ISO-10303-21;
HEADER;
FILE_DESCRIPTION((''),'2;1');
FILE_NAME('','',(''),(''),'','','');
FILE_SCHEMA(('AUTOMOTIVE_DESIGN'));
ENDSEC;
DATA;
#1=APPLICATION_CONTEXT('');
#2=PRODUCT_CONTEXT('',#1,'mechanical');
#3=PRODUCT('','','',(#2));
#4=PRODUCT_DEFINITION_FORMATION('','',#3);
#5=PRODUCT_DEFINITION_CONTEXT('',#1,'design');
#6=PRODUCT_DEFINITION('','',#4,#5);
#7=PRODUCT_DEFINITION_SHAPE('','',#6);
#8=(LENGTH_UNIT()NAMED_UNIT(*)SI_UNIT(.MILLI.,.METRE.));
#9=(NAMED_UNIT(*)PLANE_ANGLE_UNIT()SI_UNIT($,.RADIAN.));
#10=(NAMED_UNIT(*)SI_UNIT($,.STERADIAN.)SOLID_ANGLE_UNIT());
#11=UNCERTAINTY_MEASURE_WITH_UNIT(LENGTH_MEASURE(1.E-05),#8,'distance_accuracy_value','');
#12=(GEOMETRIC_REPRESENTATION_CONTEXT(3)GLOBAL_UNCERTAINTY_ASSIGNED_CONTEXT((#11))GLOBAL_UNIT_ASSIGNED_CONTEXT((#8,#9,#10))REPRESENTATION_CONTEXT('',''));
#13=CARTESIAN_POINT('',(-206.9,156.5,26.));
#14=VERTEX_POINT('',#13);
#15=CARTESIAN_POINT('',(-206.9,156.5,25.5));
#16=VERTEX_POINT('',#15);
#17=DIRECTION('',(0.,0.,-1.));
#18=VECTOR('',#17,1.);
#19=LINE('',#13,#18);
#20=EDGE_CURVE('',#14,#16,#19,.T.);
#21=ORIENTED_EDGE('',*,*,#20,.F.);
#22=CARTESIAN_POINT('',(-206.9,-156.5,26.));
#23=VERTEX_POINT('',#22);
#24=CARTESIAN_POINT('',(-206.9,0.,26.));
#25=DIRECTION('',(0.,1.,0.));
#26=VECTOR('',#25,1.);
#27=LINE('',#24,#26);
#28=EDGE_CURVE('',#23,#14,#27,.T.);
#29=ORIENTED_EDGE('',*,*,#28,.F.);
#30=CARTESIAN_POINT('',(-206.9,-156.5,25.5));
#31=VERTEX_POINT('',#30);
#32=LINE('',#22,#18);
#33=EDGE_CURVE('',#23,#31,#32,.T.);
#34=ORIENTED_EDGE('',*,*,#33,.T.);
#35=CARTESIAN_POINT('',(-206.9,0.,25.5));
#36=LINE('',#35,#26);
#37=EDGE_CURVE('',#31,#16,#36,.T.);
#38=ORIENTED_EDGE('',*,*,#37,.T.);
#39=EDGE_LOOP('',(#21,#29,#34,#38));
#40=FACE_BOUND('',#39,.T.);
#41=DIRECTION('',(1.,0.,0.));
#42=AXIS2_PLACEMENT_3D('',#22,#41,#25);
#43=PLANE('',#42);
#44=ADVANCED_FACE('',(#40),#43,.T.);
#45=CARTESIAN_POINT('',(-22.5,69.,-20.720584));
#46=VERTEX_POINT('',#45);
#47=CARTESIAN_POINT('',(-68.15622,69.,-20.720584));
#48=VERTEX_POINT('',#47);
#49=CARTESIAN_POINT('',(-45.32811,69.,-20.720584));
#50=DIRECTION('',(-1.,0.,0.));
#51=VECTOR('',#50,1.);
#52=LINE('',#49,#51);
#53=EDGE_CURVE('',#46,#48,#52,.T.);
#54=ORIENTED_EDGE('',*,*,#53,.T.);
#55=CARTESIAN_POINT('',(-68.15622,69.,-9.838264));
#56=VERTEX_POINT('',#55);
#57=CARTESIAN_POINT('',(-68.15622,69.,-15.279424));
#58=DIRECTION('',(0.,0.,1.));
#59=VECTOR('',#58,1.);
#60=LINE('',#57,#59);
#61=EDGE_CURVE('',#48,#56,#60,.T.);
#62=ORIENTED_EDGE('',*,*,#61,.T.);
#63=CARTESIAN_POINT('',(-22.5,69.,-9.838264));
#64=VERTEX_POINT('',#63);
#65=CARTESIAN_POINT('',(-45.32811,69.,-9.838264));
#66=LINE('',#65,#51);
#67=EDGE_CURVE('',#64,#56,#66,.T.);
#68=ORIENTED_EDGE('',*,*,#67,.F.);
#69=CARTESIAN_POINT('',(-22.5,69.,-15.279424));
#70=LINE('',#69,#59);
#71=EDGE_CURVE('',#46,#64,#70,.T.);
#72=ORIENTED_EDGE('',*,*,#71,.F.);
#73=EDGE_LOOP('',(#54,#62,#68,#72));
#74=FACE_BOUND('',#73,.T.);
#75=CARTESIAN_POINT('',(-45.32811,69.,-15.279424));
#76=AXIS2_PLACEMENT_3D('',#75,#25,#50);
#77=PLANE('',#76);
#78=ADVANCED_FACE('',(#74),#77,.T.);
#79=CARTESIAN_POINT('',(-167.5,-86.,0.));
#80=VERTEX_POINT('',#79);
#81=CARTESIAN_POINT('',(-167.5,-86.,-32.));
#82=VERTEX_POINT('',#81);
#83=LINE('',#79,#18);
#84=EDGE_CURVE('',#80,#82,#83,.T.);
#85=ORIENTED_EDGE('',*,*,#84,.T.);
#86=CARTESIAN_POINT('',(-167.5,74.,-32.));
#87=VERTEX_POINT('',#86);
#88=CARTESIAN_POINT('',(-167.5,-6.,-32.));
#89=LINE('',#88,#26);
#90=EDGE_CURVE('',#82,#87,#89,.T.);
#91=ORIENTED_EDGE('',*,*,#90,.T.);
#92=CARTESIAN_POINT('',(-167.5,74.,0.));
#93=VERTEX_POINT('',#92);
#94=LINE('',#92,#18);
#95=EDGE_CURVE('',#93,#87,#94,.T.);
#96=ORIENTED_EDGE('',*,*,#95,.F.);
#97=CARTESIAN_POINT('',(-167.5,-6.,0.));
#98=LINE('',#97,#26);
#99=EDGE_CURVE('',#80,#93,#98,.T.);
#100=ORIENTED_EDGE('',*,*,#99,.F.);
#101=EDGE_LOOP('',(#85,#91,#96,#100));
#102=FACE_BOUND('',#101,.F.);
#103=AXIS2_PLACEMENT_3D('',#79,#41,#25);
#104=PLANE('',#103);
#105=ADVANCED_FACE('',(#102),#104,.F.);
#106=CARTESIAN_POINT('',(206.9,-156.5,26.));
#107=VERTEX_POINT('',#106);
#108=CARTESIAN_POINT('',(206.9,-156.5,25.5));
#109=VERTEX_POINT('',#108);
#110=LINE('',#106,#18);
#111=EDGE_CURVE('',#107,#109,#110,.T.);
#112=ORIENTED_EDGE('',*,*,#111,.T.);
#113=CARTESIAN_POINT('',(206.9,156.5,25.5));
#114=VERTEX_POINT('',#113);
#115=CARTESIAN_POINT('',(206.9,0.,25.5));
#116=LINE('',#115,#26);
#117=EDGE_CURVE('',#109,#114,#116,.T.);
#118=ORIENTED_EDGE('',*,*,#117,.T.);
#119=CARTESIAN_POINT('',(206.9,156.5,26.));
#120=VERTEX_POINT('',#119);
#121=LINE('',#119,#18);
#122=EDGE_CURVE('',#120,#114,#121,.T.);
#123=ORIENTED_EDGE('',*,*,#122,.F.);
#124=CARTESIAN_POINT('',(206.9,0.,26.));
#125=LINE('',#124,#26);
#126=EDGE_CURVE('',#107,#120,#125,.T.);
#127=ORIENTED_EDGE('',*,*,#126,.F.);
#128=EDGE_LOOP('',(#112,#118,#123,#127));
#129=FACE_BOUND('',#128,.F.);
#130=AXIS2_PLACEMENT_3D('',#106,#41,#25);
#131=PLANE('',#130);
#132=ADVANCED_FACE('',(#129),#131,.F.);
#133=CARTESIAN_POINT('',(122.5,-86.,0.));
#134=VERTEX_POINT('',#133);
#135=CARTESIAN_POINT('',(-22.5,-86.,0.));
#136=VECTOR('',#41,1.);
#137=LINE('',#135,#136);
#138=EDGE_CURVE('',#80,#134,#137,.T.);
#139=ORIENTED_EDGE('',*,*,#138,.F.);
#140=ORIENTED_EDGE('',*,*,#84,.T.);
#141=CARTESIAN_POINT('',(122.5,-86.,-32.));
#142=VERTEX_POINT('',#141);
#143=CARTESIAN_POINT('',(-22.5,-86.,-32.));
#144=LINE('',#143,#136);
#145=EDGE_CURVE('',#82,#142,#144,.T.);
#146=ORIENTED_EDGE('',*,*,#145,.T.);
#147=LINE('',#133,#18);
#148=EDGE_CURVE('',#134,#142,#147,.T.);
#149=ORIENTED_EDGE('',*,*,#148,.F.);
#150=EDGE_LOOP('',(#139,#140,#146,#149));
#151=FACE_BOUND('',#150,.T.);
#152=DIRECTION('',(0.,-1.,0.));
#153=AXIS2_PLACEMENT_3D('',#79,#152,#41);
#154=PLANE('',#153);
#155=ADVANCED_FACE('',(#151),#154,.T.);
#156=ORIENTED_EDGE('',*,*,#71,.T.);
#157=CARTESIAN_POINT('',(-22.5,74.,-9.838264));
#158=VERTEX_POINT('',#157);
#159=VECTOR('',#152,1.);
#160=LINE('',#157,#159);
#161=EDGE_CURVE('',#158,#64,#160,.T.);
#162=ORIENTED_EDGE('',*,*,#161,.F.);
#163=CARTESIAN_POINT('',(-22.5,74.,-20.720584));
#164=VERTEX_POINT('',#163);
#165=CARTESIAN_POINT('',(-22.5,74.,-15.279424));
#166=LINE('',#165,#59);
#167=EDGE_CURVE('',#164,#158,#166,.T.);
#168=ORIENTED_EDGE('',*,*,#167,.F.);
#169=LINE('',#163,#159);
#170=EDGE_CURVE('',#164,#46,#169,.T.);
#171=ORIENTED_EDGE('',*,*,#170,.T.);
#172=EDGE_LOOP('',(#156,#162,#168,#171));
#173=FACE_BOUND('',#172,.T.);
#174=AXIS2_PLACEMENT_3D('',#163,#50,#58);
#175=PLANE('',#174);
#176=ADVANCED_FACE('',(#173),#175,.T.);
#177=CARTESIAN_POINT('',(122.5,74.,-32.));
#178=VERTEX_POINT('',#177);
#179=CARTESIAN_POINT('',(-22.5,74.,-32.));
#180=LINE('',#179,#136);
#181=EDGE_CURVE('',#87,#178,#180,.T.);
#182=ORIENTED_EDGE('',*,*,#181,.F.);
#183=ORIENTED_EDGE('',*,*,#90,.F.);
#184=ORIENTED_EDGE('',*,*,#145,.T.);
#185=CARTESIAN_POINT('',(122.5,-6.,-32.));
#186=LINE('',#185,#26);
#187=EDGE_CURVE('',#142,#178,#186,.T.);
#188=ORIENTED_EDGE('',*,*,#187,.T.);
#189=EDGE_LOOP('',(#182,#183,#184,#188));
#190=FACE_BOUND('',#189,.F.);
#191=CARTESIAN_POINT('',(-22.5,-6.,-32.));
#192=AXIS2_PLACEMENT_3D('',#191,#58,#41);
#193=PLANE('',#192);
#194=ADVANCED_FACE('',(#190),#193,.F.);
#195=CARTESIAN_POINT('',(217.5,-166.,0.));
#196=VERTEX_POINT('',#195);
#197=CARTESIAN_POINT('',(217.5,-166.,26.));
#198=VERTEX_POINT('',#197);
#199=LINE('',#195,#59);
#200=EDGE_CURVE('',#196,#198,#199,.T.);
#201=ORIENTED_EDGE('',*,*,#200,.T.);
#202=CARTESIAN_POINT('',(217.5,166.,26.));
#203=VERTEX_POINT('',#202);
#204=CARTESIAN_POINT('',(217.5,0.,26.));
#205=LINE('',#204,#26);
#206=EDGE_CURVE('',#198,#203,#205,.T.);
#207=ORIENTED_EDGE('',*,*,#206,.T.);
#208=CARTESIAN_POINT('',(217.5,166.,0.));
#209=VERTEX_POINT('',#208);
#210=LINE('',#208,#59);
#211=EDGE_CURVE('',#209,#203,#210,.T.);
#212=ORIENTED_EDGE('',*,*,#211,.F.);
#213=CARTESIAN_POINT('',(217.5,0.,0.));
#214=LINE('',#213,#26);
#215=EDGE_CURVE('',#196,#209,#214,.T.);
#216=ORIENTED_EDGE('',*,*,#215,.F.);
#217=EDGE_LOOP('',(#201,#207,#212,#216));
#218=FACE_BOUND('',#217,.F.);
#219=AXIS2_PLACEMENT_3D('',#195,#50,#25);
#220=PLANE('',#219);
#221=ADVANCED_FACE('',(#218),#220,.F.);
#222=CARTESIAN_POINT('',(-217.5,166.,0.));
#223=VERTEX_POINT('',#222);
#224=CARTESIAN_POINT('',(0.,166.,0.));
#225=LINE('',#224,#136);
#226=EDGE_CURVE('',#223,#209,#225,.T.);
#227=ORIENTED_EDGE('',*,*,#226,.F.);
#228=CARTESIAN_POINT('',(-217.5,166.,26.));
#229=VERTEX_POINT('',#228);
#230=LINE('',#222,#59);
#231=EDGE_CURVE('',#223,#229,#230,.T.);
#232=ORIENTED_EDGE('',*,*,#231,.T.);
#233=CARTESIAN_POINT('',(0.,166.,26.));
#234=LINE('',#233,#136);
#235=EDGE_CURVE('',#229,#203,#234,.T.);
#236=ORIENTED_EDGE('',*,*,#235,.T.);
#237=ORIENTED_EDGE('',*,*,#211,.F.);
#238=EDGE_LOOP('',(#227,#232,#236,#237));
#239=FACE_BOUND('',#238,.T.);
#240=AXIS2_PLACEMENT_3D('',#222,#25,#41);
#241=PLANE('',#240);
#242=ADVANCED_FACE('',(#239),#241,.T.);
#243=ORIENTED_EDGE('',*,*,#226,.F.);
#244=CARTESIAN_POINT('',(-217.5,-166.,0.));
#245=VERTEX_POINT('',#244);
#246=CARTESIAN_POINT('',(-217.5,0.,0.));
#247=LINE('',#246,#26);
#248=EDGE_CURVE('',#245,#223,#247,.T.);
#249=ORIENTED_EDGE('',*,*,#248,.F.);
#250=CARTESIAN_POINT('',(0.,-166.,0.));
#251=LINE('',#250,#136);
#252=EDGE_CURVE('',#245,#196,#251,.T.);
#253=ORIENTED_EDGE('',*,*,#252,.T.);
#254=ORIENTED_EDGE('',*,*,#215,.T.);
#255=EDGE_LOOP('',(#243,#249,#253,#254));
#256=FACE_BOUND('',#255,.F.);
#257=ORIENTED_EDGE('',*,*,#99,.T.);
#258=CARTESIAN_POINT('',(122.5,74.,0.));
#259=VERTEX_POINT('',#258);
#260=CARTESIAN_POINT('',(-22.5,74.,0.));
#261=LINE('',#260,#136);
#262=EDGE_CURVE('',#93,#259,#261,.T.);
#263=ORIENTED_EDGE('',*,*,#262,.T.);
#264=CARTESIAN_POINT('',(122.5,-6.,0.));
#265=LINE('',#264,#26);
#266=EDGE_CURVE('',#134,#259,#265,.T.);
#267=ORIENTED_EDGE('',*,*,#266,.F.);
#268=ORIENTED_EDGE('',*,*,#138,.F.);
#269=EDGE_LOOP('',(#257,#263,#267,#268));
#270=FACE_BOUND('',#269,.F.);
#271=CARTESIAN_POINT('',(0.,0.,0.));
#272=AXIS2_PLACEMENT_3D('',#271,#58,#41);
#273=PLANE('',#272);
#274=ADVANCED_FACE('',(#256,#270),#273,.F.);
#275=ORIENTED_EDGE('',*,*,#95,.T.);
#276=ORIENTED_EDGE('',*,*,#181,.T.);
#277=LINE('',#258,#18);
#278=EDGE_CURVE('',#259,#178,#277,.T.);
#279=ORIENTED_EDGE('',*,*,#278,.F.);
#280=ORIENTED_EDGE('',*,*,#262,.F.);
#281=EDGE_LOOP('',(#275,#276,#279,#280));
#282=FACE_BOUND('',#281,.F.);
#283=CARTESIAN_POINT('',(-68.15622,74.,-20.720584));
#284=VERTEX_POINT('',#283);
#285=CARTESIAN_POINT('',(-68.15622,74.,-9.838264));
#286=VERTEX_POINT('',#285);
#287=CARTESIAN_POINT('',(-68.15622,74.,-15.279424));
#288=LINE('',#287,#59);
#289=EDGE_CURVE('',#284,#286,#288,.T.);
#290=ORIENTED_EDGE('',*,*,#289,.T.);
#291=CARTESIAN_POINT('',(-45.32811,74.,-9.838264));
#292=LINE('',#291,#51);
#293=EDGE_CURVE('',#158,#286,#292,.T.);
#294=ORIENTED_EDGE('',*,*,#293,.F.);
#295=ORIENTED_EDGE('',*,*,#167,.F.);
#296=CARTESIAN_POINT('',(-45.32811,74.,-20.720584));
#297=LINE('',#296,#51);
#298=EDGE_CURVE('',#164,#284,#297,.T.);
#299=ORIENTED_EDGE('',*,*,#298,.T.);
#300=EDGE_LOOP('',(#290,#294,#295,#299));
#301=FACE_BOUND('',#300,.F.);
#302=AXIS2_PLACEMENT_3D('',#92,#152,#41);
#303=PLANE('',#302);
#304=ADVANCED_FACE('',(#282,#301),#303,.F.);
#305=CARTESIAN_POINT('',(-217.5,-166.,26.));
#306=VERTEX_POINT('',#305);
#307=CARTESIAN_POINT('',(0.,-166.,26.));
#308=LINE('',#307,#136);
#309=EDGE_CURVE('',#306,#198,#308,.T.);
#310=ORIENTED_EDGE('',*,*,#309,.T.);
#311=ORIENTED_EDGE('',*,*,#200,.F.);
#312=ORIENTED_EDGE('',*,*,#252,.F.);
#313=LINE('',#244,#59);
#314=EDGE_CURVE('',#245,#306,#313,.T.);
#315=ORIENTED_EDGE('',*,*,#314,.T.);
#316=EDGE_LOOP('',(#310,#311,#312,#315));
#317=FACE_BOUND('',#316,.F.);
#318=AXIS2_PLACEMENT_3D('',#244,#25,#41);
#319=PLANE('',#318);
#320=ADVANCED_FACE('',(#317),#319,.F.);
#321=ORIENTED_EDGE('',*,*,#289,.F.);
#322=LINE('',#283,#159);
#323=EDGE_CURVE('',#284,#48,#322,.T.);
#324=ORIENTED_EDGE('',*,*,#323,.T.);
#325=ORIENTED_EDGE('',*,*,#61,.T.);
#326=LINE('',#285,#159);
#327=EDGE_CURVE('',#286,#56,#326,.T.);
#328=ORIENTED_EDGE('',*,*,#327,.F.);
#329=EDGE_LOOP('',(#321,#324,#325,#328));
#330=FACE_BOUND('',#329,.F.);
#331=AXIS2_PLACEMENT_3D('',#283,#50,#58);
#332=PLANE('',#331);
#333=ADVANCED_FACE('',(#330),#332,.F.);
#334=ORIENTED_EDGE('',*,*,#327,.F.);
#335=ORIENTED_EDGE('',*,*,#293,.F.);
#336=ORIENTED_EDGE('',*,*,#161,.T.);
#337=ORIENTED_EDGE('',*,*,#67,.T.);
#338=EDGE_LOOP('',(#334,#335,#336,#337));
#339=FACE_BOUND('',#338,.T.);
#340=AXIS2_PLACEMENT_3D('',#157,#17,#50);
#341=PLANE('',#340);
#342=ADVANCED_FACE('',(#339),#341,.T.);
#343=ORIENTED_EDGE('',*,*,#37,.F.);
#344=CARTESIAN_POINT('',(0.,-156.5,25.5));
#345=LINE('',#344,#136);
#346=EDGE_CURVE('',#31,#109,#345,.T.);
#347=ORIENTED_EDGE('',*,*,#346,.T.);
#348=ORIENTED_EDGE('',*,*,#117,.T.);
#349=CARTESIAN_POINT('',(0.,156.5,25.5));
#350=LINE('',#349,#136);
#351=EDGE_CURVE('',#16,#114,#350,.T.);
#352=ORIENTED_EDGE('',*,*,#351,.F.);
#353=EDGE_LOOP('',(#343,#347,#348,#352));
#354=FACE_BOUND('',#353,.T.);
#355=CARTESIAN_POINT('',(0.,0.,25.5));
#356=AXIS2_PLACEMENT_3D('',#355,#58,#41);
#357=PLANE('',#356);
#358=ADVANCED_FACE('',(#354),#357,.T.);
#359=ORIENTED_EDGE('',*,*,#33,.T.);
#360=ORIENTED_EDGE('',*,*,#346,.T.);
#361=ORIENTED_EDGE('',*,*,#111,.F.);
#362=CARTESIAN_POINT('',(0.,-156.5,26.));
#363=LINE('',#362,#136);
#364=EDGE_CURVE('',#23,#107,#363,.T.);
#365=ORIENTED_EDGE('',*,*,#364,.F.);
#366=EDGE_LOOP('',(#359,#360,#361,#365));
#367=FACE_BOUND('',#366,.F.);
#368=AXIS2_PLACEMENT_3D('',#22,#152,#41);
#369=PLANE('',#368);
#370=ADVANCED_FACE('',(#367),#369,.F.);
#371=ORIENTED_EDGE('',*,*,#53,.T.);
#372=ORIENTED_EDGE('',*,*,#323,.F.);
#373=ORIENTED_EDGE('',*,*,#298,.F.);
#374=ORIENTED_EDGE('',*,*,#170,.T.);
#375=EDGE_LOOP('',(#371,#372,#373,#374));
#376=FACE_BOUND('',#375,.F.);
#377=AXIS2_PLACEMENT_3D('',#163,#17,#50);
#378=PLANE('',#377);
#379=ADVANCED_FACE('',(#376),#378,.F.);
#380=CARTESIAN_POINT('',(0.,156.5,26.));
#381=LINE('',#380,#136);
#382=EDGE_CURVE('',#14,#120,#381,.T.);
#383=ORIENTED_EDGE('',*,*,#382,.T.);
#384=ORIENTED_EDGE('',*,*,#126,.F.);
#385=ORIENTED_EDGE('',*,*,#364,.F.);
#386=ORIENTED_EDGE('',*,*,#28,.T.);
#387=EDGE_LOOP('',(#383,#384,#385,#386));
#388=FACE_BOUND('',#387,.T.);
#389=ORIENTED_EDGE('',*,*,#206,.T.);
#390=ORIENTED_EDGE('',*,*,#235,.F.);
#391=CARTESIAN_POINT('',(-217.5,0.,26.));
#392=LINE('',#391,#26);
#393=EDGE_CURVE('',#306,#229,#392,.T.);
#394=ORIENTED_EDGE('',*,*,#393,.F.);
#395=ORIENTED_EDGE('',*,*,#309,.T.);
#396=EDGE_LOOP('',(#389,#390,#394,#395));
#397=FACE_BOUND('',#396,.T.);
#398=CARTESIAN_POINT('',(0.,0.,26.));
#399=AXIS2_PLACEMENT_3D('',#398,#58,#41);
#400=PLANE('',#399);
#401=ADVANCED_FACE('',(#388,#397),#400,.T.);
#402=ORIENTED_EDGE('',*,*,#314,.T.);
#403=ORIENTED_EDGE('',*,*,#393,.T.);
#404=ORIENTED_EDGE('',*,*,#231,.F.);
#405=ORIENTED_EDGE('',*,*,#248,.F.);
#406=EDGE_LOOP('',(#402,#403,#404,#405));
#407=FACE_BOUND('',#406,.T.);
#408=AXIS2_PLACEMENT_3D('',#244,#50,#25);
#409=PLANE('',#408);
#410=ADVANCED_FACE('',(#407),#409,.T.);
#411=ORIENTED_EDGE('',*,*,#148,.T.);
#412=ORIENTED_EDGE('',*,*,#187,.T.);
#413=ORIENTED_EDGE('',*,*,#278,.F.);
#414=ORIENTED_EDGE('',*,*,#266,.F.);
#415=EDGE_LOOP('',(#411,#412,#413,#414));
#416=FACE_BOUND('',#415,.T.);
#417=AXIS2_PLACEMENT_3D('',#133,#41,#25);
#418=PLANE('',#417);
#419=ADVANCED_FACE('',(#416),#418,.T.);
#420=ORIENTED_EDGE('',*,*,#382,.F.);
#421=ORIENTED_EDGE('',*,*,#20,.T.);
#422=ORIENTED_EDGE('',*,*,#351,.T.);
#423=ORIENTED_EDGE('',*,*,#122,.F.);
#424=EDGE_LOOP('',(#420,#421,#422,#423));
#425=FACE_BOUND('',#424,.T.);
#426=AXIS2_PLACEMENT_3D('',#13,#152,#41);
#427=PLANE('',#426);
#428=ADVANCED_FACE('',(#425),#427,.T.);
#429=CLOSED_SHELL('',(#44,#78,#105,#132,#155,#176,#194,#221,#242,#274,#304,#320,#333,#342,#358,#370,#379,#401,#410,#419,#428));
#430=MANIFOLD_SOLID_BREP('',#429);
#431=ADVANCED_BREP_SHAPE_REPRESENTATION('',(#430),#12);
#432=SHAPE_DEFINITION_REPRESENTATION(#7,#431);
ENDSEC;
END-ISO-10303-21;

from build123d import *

# Parameters (mm, degrees)
F0_W     = 435
F0_H     = 332
F1_DEPTH = 26
F2_W     = 413.8
F2_H     = 313
F3_DEPTH = 0.5
F4_W     = 290
F4_H     = 160
F5_DEPTH = 32
F6_W     = 45.65622
F6_H     = 10.88232
F7_DEPTH = 5


with BuildPart() as f1:
    # F0 (on Top) → F1 (new body)
    with BuildSketch(Plane.XY):
        Rectangle(F0_W, F0_H)
    extrude(amount=F1_DEPTH)

    # F2 (on face) → F3 (cut)
    with BuildSketch(Plane.XY.offset(26)):
        Rectangle(F2_W, F2_H)
    extrude(amount=-F3_DEPTH, mode=Mode.SUBTRACT)

    # F4 (on face) → F5 (join)
    with BuildSketch(Plane.XY):
        with Locations((-22.5, -6)):
            Rectangle(F4_W, F4_H)
    extrude(amount=-F5_DEPTH)

    # F6 (on face) → F7 (cut)
    with BuildSketch(Plane(origin=(0, 74, 0), x_dir=(-1, 0, 0), z_dir=(0, 1, 0))):
        with Locations((45.32811, -15.279424)):
            Rectangle(F6_W, F6_H)
    extrude(amount=-F7_DEPTH, mode=Mode.SUBTRACT)


solid = f1.part
